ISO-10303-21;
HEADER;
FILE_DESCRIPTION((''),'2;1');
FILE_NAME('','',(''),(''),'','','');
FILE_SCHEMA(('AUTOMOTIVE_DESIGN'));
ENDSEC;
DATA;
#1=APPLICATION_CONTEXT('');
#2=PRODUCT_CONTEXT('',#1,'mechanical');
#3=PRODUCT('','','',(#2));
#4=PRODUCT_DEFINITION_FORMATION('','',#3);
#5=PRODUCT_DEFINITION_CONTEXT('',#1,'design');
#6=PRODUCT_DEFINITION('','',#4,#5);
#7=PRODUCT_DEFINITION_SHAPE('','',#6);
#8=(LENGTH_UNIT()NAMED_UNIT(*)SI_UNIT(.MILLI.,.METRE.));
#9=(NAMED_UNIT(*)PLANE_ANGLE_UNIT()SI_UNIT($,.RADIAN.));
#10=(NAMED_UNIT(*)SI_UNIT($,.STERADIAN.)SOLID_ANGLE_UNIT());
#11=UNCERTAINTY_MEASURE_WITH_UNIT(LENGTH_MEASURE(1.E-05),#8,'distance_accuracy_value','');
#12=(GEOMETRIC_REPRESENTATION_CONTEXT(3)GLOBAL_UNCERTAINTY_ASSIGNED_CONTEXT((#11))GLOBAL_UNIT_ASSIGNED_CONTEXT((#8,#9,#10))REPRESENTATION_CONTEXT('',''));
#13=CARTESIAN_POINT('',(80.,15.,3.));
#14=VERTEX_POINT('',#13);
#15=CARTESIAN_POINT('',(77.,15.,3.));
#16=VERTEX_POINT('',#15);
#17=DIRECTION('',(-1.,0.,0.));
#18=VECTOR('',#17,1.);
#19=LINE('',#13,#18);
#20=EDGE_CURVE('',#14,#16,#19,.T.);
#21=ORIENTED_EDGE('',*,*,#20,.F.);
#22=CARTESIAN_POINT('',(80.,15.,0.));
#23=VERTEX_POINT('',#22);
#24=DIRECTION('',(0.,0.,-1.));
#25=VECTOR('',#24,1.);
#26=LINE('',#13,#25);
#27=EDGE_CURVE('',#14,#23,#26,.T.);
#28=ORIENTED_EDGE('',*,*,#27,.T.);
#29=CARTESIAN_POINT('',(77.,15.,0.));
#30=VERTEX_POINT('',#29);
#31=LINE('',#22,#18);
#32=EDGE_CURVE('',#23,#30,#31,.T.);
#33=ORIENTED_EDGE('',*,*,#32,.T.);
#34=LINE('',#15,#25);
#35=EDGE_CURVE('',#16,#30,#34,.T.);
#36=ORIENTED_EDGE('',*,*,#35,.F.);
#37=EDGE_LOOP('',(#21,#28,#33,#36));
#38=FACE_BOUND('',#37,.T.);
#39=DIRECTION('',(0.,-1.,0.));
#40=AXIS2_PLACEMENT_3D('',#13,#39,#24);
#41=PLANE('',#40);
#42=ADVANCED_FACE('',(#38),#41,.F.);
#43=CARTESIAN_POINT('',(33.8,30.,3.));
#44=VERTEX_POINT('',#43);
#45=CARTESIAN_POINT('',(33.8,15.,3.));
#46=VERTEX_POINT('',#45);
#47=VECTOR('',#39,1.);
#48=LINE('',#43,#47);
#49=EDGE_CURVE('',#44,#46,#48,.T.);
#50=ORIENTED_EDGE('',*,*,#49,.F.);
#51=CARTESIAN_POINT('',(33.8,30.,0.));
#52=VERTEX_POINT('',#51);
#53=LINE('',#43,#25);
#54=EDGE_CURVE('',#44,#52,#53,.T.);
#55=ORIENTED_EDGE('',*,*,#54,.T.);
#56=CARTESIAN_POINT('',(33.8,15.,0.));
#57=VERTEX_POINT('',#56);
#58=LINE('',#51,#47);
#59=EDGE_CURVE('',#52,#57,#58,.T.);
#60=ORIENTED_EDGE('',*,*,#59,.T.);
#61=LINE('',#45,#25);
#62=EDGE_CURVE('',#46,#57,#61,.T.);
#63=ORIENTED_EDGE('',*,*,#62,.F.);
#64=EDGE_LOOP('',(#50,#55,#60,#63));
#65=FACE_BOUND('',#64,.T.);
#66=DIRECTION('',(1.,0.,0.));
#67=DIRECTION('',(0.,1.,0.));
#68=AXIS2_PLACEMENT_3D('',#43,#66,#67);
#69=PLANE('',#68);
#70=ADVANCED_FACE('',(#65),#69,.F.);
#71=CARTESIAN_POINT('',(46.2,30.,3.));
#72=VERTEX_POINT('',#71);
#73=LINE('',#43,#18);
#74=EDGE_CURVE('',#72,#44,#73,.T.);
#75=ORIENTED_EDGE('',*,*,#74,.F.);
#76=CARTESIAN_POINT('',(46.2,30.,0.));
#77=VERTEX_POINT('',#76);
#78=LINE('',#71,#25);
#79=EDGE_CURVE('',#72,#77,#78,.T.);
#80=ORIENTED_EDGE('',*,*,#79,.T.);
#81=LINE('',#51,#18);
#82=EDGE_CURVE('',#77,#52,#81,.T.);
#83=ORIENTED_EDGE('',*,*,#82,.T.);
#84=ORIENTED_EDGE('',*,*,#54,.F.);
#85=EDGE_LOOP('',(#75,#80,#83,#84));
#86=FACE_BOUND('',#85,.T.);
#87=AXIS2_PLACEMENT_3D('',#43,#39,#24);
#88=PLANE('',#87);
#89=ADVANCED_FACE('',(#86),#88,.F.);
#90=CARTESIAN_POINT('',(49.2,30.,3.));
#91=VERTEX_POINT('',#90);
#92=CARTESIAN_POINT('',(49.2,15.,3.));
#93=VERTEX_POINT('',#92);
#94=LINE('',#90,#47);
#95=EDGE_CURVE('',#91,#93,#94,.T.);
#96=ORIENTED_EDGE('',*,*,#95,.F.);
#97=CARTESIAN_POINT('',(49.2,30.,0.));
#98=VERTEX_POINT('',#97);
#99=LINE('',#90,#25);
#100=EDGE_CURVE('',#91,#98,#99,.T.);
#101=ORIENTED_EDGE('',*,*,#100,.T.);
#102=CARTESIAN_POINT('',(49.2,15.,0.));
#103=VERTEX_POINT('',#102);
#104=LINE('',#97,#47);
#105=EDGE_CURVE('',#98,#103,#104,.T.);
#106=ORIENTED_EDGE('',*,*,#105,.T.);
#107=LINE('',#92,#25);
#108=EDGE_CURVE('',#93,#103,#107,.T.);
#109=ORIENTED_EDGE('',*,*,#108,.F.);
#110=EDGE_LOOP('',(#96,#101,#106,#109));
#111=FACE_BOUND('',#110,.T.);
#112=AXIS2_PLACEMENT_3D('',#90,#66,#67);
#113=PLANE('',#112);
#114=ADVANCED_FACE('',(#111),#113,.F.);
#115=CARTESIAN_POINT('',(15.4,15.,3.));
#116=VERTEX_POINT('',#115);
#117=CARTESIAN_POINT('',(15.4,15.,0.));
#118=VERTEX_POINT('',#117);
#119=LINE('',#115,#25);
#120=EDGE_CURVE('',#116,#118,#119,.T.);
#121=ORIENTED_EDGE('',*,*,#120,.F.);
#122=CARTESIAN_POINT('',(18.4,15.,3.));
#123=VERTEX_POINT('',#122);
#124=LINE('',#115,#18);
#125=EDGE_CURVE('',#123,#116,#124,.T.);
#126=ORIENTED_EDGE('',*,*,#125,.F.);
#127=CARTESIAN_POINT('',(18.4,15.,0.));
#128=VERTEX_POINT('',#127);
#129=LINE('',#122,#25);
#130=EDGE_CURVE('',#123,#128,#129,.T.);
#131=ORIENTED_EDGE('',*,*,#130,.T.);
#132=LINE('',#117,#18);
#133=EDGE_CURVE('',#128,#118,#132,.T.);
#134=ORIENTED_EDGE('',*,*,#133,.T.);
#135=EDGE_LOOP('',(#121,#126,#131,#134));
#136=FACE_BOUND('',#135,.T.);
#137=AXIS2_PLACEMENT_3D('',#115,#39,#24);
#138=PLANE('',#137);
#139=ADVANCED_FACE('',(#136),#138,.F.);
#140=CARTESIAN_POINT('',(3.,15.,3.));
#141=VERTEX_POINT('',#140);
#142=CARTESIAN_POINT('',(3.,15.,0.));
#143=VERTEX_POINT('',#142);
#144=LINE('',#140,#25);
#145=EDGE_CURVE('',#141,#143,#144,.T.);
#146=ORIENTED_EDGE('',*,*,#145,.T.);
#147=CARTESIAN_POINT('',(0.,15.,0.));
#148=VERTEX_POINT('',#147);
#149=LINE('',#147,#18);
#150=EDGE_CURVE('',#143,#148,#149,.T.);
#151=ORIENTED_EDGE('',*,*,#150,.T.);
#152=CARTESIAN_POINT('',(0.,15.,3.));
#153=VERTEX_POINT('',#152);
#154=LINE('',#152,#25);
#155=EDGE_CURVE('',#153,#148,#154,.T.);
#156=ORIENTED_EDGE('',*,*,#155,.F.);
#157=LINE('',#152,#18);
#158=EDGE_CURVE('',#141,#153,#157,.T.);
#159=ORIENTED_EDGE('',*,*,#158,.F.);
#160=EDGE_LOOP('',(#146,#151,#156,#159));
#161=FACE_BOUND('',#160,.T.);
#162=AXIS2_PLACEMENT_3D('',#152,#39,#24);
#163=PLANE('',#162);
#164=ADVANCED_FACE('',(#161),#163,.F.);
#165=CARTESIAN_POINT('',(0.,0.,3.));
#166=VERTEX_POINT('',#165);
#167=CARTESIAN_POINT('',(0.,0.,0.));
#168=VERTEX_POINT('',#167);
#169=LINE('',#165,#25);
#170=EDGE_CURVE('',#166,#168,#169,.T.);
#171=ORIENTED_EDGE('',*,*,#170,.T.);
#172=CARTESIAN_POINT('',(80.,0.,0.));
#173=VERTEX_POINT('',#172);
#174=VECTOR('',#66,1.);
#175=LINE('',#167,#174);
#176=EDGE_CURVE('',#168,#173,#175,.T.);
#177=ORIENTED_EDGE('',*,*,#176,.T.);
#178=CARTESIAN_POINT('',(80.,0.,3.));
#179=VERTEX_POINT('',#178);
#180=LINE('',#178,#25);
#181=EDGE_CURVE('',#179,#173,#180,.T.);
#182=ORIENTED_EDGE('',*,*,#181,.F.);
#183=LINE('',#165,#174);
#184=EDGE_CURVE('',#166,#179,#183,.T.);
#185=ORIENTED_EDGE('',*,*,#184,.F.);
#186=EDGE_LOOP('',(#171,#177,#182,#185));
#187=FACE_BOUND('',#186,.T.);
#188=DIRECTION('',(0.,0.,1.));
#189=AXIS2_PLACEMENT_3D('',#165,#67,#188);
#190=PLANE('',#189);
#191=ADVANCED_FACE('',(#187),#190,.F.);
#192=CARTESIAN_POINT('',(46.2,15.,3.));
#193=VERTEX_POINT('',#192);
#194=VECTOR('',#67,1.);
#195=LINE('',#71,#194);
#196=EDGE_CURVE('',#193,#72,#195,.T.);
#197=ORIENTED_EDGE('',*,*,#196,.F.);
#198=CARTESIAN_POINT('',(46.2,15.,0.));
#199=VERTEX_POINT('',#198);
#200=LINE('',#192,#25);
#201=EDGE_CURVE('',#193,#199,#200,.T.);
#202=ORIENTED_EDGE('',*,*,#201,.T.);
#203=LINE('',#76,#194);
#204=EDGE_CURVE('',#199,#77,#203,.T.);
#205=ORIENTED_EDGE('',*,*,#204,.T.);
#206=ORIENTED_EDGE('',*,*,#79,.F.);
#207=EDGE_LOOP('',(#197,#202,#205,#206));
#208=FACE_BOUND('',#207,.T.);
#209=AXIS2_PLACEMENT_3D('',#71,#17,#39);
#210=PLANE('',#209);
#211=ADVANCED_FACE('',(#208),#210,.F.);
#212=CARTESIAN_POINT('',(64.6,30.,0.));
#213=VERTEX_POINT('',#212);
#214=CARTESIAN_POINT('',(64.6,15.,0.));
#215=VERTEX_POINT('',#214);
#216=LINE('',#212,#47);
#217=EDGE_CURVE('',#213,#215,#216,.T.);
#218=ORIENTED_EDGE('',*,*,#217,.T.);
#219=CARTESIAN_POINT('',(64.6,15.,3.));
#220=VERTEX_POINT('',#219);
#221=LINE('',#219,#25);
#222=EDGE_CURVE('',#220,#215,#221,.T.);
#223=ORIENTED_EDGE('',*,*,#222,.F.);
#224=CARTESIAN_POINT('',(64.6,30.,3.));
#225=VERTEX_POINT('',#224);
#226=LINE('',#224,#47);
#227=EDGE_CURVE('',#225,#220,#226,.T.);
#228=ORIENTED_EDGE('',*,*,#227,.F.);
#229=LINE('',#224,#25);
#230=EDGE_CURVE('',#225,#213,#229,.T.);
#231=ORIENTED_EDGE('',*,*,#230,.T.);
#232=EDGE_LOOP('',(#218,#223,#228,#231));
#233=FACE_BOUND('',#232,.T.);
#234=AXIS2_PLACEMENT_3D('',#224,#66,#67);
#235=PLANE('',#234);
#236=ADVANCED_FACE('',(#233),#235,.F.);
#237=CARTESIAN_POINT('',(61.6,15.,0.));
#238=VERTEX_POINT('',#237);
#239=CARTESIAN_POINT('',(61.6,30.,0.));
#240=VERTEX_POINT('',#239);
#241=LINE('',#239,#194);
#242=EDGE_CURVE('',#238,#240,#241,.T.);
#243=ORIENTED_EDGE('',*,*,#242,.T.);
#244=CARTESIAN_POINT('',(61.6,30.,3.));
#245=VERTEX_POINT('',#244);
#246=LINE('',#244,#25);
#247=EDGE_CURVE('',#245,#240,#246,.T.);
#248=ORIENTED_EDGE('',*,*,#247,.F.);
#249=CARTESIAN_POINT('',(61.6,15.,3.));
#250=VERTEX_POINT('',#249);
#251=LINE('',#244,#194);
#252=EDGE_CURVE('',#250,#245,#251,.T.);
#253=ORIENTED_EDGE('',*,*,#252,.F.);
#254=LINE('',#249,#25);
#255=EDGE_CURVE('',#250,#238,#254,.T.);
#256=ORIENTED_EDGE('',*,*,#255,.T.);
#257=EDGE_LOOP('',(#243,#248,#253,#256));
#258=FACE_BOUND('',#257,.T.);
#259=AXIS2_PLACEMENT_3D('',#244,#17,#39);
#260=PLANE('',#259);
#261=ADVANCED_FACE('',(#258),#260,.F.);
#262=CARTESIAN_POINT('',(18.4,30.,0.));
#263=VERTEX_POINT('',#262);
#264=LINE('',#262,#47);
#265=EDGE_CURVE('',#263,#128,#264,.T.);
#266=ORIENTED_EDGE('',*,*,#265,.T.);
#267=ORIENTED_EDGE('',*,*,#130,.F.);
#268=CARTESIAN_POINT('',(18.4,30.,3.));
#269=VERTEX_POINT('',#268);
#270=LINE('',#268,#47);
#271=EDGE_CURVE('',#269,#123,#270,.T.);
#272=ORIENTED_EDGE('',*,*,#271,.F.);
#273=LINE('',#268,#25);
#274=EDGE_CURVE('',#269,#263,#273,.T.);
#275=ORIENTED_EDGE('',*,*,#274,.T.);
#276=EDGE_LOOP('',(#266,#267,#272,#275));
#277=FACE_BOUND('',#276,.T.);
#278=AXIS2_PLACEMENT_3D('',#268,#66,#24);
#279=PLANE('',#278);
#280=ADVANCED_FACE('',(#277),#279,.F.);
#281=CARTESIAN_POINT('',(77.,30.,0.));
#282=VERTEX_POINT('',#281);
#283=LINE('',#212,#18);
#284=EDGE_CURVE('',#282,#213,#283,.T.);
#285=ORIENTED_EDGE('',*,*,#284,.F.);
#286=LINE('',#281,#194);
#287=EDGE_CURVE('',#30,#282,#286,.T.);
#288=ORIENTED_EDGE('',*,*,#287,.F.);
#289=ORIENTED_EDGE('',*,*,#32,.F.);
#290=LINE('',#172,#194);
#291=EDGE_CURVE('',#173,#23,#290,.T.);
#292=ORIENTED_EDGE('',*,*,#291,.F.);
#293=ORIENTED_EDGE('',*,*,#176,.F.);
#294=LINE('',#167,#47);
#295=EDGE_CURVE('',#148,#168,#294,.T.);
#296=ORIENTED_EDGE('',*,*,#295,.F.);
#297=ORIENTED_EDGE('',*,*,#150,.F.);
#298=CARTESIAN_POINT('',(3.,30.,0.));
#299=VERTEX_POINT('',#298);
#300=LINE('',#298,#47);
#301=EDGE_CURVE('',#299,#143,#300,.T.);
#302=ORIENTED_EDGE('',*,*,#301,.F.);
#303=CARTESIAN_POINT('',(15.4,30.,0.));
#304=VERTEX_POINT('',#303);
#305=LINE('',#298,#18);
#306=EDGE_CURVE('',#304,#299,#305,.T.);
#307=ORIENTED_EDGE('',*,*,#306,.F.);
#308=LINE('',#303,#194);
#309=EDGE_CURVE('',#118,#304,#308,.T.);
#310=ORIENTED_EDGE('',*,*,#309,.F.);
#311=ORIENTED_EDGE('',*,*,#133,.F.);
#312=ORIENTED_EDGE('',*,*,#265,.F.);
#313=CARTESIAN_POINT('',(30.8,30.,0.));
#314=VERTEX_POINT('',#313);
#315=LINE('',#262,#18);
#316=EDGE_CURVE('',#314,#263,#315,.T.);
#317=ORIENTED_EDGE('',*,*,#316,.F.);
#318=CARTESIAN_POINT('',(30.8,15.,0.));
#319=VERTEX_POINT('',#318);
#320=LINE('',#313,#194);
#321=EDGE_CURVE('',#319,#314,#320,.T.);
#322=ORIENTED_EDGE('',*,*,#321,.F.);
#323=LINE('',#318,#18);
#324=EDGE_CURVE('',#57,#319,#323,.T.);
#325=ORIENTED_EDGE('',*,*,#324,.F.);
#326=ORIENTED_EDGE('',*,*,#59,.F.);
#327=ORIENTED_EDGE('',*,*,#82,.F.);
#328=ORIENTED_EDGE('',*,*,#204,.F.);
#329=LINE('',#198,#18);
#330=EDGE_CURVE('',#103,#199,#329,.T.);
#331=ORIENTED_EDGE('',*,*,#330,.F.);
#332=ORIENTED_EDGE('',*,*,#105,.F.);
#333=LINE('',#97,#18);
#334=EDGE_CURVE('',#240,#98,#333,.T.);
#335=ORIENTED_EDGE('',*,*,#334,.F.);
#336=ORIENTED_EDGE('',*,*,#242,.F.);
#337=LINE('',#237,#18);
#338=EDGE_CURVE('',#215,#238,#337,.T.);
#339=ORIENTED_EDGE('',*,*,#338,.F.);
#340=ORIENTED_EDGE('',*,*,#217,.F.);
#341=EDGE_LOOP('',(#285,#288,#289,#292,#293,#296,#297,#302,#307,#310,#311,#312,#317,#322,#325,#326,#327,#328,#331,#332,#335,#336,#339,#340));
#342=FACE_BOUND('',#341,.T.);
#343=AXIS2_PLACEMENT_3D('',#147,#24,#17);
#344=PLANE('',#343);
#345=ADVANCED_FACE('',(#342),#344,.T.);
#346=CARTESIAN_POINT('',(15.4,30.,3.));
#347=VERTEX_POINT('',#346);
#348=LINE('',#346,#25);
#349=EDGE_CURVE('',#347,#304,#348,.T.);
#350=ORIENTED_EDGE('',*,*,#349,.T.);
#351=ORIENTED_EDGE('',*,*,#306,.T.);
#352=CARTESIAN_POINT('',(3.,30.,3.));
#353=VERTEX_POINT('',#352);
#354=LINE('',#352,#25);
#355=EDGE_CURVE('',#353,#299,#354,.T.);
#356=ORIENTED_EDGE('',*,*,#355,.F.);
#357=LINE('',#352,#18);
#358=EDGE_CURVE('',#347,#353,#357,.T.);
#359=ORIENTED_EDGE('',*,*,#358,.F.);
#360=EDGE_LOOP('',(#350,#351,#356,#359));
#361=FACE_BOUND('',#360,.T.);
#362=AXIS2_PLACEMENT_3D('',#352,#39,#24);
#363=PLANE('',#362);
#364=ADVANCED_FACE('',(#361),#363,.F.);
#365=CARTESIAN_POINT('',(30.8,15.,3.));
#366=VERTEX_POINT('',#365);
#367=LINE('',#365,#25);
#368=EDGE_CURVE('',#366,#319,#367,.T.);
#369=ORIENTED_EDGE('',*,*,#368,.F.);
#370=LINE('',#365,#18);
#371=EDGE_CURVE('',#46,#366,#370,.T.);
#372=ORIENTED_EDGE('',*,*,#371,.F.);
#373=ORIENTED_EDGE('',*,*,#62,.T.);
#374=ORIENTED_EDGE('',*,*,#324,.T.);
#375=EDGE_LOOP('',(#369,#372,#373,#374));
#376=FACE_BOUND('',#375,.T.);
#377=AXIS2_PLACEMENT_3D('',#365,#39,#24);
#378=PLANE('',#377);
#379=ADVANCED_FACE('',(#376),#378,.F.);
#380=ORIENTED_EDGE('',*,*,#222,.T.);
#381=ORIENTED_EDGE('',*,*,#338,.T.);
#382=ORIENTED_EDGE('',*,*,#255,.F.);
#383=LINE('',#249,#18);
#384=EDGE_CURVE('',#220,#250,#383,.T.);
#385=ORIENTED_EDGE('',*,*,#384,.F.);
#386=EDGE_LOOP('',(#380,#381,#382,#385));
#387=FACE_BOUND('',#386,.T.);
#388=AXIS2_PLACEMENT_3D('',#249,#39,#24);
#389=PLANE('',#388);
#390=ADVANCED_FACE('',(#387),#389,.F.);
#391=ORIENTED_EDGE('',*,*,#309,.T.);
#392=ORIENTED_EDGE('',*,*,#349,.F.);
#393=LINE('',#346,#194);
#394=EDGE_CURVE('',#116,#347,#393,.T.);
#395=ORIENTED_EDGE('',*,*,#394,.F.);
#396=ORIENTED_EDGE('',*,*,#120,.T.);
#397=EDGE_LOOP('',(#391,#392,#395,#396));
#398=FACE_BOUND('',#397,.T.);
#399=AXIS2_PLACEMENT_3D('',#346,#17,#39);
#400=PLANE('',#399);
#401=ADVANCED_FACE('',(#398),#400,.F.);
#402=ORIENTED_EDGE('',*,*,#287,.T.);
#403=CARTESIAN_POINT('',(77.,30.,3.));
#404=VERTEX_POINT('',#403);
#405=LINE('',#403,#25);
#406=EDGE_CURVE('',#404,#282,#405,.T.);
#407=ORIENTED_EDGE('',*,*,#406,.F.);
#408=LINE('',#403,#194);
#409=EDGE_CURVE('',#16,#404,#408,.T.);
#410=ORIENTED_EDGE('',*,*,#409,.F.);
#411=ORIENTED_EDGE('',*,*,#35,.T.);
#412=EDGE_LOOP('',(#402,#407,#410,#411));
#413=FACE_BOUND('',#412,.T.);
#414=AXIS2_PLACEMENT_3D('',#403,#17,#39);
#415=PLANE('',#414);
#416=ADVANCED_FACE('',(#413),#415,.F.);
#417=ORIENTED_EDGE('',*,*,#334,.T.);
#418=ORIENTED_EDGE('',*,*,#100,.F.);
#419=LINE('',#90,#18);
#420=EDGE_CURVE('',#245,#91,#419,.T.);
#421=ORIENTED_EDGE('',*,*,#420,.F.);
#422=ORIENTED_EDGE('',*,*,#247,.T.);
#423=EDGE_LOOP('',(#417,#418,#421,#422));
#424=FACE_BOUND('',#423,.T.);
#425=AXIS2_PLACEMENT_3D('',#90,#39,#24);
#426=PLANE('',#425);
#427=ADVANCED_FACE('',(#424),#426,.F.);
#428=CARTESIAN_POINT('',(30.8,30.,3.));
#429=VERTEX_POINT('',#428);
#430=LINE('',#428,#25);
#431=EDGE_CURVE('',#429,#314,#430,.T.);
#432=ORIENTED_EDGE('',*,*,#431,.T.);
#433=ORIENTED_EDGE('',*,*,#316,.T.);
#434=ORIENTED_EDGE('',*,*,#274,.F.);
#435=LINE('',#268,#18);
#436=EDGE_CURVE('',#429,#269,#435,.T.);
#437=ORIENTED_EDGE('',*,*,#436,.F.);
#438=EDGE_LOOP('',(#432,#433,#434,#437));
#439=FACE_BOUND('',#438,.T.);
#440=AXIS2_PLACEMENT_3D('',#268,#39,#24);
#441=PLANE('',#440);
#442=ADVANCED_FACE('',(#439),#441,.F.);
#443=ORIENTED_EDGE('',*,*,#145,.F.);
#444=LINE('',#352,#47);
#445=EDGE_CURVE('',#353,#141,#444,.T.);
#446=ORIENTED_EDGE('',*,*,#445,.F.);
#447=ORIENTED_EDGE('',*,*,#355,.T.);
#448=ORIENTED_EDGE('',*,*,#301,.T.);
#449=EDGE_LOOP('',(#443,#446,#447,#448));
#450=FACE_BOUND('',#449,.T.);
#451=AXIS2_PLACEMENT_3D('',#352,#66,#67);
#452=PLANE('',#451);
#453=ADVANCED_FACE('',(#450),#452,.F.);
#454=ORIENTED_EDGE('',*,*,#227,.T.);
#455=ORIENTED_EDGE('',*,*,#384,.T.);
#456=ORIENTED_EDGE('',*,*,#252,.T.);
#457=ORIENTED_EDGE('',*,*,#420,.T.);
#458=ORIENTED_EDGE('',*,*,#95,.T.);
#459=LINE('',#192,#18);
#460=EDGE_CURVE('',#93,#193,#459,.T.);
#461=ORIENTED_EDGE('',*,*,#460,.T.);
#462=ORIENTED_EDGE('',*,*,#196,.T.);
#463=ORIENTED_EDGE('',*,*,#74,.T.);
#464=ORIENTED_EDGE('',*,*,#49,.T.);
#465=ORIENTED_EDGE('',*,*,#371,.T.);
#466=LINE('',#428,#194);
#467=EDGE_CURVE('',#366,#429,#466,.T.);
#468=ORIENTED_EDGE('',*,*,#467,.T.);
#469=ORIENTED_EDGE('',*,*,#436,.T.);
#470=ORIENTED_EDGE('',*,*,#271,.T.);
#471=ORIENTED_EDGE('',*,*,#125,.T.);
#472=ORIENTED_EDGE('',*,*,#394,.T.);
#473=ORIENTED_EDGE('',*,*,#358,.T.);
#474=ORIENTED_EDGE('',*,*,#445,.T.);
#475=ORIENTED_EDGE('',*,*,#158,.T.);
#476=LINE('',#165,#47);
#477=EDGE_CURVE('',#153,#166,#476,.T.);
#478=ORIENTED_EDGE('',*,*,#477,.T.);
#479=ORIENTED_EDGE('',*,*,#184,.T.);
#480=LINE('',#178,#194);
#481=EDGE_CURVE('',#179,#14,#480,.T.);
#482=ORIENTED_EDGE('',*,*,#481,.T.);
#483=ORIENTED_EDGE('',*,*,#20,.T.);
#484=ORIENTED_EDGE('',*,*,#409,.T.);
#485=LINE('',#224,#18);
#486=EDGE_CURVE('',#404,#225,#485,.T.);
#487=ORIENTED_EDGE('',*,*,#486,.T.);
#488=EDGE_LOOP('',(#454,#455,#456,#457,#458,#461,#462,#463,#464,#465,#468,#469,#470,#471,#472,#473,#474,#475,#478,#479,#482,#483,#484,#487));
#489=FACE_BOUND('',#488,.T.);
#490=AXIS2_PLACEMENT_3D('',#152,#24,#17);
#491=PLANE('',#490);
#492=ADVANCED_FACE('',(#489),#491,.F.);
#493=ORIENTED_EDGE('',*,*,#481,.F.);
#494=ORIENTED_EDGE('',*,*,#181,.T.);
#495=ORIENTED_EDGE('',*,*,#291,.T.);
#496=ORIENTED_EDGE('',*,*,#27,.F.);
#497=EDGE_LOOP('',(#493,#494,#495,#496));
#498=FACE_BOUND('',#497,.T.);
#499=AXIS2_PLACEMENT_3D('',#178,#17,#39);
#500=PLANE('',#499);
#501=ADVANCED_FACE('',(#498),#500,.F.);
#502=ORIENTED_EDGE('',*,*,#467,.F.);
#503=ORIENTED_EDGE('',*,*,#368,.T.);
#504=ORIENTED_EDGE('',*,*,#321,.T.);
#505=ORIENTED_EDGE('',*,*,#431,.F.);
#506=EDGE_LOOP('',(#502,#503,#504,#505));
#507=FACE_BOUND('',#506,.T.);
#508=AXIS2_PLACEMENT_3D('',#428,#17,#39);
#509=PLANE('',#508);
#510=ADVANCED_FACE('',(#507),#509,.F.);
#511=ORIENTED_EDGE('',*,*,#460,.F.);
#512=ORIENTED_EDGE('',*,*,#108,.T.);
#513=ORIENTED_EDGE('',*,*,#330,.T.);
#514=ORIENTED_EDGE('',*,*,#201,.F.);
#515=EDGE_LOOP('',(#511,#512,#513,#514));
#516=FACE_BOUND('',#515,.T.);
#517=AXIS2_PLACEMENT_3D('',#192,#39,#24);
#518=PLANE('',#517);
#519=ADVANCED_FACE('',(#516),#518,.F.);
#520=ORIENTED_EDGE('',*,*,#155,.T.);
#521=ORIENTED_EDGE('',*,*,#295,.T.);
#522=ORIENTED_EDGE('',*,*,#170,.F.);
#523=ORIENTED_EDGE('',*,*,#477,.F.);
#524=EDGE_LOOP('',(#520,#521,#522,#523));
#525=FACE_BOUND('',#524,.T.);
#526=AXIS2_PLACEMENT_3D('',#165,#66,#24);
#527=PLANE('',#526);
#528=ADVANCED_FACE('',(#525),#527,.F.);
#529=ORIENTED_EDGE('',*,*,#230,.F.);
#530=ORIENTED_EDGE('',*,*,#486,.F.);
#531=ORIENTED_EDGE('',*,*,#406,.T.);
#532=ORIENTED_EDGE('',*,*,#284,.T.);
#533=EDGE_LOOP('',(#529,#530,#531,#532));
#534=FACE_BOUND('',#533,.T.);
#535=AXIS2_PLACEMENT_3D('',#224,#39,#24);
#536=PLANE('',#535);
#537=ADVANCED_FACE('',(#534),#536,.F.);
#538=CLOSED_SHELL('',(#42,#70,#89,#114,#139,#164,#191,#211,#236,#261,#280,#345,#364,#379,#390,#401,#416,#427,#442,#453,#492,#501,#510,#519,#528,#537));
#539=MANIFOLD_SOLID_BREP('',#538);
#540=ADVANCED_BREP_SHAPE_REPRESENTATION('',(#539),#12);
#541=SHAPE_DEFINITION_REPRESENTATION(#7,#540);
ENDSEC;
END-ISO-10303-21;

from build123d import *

# Parameters (mm, degrees)
BOSS_EXTRUDE1_DEPTH = 3


with BuildPart() as part:
    # Sketch1 → Boss-Extrude1 (new body)
    with BuildSketch(Plane.XY):
        Polygon((0, 0), (80, 0), (80, 15), (77, 15), (77, 30), (64.6, 30), (64.6, 15), (61.6, 15), (61.6, 30), (49.2, 30), (49.2, 15), (46.2, 15), (46.2, 30), (33.8, 30), (33.8, 15), (30.8, 15), (30.8, 30), (18.4, 30), (18.4, 15), (15.4, 15), (15.4, 30), (3, 30), (3, 15), (0, 15), align=None)
    extrude(amount=BOSS_EXTRUDE1_DEPTH)


solid = part.part
